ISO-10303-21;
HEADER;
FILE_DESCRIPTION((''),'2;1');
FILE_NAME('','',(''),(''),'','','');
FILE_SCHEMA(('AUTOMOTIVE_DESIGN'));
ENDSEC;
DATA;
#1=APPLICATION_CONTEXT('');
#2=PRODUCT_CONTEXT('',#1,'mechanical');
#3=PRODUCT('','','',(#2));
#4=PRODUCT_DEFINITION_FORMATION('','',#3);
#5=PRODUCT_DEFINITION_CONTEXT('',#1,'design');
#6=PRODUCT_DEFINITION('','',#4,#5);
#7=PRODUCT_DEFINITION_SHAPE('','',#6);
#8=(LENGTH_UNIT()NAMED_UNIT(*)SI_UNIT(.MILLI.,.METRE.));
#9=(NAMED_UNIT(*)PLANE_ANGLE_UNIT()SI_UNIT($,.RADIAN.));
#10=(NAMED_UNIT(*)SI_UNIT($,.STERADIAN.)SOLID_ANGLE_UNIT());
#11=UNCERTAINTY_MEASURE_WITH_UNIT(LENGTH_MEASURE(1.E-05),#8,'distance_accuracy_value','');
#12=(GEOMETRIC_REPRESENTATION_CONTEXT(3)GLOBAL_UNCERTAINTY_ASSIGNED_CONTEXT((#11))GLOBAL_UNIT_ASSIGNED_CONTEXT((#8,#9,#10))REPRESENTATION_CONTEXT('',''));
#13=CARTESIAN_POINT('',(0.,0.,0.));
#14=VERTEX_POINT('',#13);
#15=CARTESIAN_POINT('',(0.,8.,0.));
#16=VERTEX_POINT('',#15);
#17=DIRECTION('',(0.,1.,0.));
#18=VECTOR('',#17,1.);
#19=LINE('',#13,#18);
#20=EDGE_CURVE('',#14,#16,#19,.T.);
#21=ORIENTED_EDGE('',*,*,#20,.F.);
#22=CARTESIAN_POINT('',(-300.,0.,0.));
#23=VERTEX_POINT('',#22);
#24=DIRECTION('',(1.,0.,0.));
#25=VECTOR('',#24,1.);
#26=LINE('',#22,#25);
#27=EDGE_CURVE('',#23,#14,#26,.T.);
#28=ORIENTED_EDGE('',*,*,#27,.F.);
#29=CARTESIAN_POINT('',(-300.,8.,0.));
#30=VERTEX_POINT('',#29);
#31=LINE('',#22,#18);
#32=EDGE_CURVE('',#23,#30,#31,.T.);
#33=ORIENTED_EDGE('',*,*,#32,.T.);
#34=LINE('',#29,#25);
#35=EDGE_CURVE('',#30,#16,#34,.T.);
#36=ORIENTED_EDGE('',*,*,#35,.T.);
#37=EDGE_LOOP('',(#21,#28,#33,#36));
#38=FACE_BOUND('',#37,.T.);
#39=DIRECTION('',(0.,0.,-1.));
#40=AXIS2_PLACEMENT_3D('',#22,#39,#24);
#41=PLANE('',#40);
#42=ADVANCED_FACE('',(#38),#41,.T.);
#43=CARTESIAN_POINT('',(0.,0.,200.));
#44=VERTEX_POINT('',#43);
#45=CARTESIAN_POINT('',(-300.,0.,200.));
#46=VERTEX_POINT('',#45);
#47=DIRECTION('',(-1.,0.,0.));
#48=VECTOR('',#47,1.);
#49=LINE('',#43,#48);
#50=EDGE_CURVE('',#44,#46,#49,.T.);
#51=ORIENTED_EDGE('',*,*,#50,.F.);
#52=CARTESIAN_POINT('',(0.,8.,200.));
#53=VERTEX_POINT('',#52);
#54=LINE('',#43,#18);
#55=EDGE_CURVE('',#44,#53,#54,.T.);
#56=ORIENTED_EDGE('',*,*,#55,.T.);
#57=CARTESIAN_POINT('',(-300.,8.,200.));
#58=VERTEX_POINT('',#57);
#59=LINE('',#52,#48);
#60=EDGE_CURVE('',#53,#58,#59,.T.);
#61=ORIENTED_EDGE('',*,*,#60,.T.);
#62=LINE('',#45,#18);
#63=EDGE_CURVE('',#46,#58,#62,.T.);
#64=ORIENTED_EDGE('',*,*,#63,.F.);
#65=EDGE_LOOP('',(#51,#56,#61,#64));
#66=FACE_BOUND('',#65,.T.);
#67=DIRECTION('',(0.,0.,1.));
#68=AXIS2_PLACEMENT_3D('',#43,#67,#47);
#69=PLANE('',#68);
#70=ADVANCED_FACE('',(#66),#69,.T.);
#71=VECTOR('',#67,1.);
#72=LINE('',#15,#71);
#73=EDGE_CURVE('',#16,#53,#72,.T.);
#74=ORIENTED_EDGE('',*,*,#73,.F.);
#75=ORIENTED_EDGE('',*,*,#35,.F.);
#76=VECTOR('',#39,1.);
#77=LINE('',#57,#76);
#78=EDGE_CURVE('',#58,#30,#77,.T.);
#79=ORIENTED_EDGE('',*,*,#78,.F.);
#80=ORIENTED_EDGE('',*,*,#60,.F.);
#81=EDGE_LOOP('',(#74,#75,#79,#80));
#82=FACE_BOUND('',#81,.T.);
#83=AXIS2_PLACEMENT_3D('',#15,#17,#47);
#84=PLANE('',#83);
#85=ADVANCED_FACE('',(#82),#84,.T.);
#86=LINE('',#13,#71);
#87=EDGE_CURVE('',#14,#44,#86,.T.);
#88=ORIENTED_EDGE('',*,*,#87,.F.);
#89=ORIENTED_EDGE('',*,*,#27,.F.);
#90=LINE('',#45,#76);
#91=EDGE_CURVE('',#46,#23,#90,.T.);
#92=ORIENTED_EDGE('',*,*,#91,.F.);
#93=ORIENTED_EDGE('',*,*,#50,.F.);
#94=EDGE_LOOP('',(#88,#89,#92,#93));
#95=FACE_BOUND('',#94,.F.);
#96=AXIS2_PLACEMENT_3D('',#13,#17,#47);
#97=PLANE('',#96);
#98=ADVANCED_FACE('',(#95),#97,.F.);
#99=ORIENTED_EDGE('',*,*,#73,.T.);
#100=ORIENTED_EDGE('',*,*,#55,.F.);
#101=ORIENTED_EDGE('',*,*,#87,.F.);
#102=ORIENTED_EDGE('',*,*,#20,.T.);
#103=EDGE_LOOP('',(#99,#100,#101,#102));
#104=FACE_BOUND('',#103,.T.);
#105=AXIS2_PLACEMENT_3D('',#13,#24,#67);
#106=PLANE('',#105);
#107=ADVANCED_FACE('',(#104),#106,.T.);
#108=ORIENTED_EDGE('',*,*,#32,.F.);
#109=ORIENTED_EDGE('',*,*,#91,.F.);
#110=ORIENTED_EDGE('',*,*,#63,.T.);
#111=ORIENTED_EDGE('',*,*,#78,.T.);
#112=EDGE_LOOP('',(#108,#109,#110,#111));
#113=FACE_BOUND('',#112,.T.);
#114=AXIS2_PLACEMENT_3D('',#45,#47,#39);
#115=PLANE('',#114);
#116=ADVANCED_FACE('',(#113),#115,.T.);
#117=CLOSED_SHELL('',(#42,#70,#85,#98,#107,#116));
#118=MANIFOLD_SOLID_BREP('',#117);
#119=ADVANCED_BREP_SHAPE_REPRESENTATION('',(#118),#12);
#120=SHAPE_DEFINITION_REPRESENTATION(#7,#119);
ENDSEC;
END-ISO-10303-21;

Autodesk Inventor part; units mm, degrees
ref_plane "YZ Plane" through (0, 0, 0) normal (1, 0, 0) x (0, 1, 0)
ref_plane "XZ Plane" through (0, 0, 0) normal (0, 1, 0) x (-1, 0, 0)
ref_plane "XY Plane" through (0, 0, 0) normal (0, 0, 1) x (1, 0, 0)
sketch "Sketch2" plane through (0, 0, 0) normal (0, 1, 0) x (-1, 0, 0)
  line L0 (0, 0) -> (0, 200)
  line L1 (0, 200) -> (300, 200)
  line L2 (300, 200) -> (300, 0)
  line L3 (300, 0) -> (0, 0)
  dimension "d4" = 200
  dimension "d5" = 300
extrude "Extrusion2" add sketch "Sketch2" along normal blind 8
equation "\"PointX0\" = 0"
equation "\"PointY0\" = 0"
equation "\"PointZ0\" = 0"
equation "\"PointX1\" = 0"
equation "\"PointZ1\" = 0"
equation "\"PointZ2\" = 0"
equation "\"PointY3\" = 0"
equation "\"PointZ3\" = 0"
equation "\"length\" = 8"
equation "\"PointX0_1\" = 0"
equation "\"PointY0_1\" = 0"
equation "\"PointZ0_1\" = 0"
equation "\"PointX1_1\" = 0"
equation "\"PointZ1_1\" = 0"
equation "\"PointZ2_1\" = 0"
equation "\"PointY3_1\" = 0"
equation "\"PointZ3_1\" = 0"
equation "\"length_1\" = 8"
properties part number "Generic8inFloor0" material "-=Choose Material=-"
